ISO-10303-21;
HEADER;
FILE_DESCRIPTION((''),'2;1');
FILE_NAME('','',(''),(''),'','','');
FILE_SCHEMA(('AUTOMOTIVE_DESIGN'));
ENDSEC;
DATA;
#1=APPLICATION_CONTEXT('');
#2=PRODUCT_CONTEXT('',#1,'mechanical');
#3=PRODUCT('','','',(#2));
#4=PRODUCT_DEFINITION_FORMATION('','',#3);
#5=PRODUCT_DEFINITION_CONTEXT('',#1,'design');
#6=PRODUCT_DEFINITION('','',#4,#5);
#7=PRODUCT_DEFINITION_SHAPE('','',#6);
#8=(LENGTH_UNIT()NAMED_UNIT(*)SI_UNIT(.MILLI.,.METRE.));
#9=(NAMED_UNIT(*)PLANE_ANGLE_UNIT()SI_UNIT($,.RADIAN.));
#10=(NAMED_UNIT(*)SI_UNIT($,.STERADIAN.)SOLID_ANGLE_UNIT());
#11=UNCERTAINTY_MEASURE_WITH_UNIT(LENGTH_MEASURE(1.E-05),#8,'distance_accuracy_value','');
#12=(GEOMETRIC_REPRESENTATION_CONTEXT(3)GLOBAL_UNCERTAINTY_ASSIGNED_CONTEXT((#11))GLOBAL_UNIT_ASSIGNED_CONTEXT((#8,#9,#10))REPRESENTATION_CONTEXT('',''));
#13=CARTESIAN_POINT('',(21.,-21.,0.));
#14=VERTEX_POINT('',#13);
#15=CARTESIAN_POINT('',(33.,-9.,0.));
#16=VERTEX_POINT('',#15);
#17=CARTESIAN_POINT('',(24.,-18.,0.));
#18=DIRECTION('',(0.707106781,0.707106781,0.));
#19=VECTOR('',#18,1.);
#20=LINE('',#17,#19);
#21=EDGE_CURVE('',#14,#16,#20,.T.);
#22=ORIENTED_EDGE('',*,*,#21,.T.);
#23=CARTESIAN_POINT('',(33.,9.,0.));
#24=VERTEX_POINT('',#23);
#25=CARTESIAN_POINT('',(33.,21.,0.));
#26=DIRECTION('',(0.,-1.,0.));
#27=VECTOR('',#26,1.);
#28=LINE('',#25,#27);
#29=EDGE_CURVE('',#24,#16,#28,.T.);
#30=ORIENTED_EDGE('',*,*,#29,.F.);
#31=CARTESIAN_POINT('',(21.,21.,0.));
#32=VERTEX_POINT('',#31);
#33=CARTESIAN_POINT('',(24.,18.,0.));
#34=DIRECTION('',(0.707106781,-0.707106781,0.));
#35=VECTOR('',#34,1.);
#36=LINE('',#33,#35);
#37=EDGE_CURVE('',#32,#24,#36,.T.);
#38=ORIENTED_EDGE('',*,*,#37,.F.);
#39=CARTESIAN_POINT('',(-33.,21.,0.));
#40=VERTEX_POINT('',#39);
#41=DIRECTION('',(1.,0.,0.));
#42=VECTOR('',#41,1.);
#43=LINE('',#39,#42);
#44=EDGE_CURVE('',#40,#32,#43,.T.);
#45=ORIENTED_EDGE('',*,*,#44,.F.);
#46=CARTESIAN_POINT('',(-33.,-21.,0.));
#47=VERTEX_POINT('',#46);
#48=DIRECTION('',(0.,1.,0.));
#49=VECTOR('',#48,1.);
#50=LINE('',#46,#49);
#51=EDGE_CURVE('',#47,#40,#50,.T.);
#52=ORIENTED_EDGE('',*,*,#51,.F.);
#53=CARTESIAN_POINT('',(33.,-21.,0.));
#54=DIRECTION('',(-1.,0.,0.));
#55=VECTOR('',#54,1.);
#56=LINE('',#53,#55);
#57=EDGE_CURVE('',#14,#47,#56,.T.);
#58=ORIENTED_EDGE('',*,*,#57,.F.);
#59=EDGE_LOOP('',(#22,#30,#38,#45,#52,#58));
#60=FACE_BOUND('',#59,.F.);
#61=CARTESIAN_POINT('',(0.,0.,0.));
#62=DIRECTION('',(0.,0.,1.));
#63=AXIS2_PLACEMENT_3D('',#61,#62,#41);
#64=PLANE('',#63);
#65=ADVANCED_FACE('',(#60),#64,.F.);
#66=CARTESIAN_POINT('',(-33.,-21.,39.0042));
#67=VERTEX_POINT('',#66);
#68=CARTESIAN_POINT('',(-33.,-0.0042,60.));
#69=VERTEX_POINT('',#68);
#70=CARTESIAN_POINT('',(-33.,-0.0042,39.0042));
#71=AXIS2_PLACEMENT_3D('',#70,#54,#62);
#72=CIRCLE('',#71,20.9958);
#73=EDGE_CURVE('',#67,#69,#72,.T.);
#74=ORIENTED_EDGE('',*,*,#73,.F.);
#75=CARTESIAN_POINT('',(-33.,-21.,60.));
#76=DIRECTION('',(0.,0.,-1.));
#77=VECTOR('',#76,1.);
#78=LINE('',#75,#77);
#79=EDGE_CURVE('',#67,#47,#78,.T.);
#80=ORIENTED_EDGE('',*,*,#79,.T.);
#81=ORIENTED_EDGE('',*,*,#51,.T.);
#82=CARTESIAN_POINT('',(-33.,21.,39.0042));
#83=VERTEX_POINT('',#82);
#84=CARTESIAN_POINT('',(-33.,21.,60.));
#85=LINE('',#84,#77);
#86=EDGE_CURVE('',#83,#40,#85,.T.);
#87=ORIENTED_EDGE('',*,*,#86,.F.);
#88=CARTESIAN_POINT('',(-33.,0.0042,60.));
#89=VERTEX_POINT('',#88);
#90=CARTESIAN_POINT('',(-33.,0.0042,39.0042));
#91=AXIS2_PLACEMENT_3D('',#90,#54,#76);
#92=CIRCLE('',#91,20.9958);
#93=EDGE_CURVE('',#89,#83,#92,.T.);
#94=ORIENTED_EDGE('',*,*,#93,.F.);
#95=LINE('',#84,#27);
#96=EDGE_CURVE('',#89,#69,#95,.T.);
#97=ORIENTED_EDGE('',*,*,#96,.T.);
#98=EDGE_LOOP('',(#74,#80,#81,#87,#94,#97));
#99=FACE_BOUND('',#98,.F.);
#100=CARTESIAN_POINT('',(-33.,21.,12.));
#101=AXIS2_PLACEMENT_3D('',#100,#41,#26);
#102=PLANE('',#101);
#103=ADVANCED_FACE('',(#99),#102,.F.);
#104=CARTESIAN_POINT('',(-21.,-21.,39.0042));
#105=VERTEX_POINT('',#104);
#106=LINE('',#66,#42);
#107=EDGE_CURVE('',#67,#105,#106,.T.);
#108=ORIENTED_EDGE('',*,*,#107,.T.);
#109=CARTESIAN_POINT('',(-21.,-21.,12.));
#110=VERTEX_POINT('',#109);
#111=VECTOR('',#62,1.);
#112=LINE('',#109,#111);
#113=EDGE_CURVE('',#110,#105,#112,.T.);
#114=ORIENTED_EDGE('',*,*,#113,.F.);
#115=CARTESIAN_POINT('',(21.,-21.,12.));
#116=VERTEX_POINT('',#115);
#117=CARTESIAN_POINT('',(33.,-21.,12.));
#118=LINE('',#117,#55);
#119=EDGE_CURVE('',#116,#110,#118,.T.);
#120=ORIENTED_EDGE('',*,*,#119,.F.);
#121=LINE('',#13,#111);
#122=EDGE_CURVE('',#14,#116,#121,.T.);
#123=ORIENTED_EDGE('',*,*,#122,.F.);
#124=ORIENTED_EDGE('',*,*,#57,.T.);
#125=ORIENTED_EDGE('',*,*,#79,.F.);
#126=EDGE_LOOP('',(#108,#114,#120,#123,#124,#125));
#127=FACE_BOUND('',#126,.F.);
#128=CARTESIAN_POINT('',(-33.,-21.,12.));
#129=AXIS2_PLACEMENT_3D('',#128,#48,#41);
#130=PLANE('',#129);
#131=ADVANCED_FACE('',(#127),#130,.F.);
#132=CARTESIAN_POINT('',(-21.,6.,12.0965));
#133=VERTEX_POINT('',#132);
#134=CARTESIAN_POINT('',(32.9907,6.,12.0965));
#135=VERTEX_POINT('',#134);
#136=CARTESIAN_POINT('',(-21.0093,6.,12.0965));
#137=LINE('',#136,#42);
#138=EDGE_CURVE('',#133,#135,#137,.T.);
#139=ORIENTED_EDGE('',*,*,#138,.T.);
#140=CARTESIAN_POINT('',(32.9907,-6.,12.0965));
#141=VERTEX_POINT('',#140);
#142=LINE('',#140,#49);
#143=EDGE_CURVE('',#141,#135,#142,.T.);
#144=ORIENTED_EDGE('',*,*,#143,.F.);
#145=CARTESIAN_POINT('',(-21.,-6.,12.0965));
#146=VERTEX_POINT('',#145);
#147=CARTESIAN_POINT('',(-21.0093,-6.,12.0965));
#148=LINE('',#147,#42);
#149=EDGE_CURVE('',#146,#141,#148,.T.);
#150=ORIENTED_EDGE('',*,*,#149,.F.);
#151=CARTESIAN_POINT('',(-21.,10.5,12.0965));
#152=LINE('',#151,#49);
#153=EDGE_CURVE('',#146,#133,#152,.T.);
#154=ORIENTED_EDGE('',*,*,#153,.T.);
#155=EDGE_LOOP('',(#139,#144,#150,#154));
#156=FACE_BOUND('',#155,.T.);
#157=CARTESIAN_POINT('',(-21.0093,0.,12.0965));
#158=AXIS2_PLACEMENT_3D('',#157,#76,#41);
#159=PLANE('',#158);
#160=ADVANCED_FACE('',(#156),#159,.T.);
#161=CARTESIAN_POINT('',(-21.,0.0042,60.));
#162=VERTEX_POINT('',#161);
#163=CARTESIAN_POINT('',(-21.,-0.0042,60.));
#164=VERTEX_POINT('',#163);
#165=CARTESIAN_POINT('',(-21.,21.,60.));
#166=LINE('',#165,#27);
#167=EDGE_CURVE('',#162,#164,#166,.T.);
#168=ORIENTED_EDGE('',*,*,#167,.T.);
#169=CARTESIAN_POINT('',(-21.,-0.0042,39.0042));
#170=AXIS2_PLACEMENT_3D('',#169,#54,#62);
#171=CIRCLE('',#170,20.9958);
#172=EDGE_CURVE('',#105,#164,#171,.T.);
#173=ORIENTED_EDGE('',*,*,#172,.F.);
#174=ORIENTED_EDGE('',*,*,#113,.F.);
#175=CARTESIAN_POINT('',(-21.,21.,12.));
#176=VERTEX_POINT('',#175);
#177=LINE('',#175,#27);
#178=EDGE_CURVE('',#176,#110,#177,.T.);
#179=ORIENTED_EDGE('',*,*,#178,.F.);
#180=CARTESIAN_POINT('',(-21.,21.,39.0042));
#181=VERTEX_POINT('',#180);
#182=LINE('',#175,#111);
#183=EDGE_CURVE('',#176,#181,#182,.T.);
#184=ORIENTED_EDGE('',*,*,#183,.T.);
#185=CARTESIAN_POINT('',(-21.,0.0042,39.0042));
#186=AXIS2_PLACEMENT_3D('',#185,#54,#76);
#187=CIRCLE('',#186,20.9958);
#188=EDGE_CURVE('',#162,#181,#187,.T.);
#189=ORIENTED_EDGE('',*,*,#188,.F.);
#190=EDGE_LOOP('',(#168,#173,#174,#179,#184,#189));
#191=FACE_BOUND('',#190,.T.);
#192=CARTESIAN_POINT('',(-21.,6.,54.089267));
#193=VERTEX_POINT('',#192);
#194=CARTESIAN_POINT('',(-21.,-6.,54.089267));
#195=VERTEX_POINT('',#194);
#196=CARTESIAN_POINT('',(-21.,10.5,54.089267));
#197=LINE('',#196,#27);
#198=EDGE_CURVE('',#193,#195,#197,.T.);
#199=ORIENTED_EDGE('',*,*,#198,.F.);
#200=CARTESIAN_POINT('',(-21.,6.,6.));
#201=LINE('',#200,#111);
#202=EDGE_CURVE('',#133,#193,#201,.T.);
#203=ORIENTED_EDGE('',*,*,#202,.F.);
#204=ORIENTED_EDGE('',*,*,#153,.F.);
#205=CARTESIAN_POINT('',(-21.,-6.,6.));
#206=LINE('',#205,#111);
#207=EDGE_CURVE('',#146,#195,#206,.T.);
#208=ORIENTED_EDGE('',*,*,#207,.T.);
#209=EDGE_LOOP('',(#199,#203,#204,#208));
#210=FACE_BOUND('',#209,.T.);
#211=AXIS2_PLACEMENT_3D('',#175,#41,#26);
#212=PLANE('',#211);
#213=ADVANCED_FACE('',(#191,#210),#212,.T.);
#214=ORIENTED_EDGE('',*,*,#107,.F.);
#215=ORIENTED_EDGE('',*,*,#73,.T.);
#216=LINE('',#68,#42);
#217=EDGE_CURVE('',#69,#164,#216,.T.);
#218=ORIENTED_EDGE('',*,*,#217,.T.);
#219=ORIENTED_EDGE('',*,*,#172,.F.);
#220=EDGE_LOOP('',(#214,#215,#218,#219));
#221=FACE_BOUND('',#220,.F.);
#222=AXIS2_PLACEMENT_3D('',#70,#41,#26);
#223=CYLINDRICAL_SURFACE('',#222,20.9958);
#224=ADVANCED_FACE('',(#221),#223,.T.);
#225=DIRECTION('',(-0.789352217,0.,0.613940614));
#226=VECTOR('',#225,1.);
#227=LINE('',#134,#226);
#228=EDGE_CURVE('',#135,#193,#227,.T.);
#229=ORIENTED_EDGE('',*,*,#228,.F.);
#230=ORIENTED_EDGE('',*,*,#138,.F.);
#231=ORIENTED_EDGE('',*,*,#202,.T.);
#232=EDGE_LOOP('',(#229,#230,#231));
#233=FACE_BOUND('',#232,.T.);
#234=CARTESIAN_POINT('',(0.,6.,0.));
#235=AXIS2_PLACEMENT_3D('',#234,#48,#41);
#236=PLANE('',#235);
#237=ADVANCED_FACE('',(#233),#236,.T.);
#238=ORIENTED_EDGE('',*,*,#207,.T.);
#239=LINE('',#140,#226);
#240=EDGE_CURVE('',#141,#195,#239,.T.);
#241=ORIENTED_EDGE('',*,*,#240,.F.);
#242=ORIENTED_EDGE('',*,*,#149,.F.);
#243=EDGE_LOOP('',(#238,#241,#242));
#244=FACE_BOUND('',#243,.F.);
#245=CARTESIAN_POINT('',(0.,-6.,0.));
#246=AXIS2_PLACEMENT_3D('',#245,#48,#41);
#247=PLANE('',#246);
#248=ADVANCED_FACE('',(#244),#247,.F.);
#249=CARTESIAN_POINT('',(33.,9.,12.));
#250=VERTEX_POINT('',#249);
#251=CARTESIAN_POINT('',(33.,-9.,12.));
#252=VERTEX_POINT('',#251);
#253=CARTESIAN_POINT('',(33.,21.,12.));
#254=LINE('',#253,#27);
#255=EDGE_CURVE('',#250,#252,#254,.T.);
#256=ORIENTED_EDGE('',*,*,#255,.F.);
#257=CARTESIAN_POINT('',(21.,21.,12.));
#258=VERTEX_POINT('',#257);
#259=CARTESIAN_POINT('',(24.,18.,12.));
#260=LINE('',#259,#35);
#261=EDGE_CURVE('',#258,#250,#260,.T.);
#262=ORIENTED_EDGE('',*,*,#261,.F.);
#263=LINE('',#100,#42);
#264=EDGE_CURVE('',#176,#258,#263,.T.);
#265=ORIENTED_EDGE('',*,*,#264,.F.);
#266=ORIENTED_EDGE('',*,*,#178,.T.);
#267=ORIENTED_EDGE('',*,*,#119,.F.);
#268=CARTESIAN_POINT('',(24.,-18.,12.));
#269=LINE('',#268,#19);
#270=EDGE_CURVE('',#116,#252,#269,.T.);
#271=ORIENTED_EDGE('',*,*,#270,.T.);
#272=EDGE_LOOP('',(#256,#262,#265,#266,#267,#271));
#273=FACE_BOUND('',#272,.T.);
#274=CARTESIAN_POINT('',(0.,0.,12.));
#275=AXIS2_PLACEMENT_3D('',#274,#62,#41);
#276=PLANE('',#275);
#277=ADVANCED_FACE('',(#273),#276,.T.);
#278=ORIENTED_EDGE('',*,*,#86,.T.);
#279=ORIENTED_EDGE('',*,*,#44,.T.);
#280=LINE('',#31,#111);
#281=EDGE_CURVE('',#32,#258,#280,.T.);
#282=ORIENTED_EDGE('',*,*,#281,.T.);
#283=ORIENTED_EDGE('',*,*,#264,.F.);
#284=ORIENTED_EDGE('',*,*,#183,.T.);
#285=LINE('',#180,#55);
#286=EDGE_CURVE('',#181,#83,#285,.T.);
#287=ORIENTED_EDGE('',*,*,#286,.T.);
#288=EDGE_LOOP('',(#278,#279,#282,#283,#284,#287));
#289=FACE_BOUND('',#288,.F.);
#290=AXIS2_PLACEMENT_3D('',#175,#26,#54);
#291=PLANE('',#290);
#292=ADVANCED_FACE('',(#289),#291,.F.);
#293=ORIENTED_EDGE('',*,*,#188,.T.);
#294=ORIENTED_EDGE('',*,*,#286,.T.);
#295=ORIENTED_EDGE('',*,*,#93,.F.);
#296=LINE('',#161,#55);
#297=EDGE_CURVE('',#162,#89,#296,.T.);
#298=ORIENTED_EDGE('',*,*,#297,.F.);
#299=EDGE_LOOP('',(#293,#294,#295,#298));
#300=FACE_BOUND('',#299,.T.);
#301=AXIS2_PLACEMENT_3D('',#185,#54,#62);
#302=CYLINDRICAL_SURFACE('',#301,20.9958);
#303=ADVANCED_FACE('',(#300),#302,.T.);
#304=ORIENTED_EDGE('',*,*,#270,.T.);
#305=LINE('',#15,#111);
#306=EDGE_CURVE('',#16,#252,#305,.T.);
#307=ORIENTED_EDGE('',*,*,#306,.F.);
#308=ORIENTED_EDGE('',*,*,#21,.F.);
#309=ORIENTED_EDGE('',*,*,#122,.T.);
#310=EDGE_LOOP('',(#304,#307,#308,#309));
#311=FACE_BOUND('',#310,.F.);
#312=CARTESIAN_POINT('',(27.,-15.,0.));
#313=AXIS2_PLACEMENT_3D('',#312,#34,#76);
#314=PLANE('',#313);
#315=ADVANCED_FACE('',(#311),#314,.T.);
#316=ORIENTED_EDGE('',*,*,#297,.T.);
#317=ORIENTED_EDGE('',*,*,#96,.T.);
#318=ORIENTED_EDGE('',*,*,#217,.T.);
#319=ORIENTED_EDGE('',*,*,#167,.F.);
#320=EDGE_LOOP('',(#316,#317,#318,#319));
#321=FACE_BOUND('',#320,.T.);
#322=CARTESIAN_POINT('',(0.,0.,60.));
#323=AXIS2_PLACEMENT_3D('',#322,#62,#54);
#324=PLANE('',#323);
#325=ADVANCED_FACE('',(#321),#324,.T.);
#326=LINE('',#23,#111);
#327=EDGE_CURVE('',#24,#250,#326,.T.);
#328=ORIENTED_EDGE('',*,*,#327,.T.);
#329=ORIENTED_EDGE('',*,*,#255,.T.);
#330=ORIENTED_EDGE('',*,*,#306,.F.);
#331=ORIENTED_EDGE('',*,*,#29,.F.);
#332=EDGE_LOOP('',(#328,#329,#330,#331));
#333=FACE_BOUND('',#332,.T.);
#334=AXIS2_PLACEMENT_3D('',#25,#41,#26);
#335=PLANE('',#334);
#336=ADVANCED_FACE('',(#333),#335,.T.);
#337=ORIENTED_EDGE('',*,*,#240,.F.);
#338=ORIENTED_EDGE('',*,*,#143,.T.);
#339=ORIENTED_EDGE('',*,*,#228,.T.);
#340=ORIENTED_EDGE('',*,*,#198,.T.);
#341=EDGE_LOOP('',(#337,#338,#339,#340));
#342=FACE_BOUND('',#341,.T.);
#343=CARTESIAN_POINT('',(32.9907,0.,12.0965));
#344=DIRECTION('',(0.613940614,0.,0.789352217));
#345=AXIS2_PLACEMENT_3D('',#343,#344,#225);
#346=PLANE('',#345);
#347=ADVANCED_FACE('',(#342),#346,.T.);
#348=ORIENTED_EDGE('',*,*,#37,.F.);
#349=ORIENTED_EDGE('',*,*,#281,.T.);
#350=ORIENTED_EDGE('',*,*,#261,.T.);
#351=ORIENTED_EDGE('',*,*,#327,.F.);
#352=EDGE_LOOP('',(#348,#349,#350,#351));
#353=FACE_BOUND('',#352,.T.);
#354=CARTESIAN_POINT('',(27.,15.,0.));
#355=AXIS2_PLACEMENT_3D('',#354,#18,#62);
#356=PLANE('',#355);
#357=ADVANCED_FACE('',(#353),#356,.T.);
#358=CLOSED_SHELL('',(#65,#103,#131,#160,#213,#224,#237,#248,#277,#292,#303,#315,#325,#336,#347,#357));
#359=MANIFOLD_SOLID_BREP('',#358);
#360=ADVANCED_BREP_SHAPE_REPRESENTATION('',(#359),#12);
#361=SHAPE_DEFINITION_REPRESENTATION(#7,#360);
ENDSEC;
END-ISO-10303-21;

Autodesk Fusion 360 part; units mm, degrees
sketch "Sketch1" plane through (0, 0, 0) normal (0, 0, 1) x (1, 0, 0)
  line L0 (33, -21) -> (-33, -21)
  line L1 (-33, -21) -> (-33, 21)
  line L2 (-33, 21) -> (33, 21)
  line L3 (33, 21) -> (33, -21)
  line L4 (33, -21) -> (-33, 21) construction
  line L5 (-33, -21) -> (33, 21) construction
  dimension "d1" = 66
  dimension "d2" = 42
extrude "Extrude1" add sketch "Sketch1" along normal blind 12
chamfer "Chamfer1" distance 12 angle 45 2 edges at (33, 21, 6) (33, -21, 6)
sketch "Sketch2" plane through (0, 0, 12) normal (0, 0, 1) x (-1, 0, 0)
  line L0 (-21, 21) -> (-33, 9)
  line L1 (-33, 9) -> (-33, -9)
  line L2 (-33, -9) -> (-21, -21)
  line L3 (-21, -21) -> (33, -21)
  line L4 (33, -21) -> (33, 21)
  line L5 (33, 21) -> (-21, 21)
  line L6 (33, -21) -> (21, -21)
  line L7 (21, -21) -> (21, 21)
  line L8 (21, 21) -> (33, 21)
  line L9 (33, 21) -> (33, -21)
  dimension "d6" = 12
extrude "Extrude2" add sketch "Sketch2" along normal blind 48 contours L3 L4 L5 L6 L7 L8 L9
fillet "Fillet1" radius 21 2 edges at (-27, -21, 60) (-27, 21, 60)
sketch "Sketch3" plane through (0, 0, 12) normal (0, 0, 1) x (-1, 0, 0)
  line L0 (21, -21) -> (21, 21)
  line L1 (21, 21) -> (-21, 21)
  line L2 (-21, 21) -> (-33, 9)
  line L3 (-33, 9) -> (-33, -9)
  line L4 (-33, -9) -> (-21, -21)
  line L5 (-21, -21) -> (21, -21)
sketch "Sketch4" plane through (0, 0, 0) normal (0, 1, 0) x (1, 0, 0)
  line L0 (-21.0093, -54.0965) -> (-21.0093, -12.0965)
  line L1 (-21.0093, -12.0965) -> (32.9907, -12.0965)
  line L2 (32.9907, -12.0965) -> (-21.0093, -54.0965)
  dimension "d10" = 42
  dimension "d11" = 54
extrude "Extrude3" add sketch "Sketch4" along normal mid plane 12
equation "d7 = 60 mm - 12 mm"
equation "d11 = 66 mm - 12 mm"
